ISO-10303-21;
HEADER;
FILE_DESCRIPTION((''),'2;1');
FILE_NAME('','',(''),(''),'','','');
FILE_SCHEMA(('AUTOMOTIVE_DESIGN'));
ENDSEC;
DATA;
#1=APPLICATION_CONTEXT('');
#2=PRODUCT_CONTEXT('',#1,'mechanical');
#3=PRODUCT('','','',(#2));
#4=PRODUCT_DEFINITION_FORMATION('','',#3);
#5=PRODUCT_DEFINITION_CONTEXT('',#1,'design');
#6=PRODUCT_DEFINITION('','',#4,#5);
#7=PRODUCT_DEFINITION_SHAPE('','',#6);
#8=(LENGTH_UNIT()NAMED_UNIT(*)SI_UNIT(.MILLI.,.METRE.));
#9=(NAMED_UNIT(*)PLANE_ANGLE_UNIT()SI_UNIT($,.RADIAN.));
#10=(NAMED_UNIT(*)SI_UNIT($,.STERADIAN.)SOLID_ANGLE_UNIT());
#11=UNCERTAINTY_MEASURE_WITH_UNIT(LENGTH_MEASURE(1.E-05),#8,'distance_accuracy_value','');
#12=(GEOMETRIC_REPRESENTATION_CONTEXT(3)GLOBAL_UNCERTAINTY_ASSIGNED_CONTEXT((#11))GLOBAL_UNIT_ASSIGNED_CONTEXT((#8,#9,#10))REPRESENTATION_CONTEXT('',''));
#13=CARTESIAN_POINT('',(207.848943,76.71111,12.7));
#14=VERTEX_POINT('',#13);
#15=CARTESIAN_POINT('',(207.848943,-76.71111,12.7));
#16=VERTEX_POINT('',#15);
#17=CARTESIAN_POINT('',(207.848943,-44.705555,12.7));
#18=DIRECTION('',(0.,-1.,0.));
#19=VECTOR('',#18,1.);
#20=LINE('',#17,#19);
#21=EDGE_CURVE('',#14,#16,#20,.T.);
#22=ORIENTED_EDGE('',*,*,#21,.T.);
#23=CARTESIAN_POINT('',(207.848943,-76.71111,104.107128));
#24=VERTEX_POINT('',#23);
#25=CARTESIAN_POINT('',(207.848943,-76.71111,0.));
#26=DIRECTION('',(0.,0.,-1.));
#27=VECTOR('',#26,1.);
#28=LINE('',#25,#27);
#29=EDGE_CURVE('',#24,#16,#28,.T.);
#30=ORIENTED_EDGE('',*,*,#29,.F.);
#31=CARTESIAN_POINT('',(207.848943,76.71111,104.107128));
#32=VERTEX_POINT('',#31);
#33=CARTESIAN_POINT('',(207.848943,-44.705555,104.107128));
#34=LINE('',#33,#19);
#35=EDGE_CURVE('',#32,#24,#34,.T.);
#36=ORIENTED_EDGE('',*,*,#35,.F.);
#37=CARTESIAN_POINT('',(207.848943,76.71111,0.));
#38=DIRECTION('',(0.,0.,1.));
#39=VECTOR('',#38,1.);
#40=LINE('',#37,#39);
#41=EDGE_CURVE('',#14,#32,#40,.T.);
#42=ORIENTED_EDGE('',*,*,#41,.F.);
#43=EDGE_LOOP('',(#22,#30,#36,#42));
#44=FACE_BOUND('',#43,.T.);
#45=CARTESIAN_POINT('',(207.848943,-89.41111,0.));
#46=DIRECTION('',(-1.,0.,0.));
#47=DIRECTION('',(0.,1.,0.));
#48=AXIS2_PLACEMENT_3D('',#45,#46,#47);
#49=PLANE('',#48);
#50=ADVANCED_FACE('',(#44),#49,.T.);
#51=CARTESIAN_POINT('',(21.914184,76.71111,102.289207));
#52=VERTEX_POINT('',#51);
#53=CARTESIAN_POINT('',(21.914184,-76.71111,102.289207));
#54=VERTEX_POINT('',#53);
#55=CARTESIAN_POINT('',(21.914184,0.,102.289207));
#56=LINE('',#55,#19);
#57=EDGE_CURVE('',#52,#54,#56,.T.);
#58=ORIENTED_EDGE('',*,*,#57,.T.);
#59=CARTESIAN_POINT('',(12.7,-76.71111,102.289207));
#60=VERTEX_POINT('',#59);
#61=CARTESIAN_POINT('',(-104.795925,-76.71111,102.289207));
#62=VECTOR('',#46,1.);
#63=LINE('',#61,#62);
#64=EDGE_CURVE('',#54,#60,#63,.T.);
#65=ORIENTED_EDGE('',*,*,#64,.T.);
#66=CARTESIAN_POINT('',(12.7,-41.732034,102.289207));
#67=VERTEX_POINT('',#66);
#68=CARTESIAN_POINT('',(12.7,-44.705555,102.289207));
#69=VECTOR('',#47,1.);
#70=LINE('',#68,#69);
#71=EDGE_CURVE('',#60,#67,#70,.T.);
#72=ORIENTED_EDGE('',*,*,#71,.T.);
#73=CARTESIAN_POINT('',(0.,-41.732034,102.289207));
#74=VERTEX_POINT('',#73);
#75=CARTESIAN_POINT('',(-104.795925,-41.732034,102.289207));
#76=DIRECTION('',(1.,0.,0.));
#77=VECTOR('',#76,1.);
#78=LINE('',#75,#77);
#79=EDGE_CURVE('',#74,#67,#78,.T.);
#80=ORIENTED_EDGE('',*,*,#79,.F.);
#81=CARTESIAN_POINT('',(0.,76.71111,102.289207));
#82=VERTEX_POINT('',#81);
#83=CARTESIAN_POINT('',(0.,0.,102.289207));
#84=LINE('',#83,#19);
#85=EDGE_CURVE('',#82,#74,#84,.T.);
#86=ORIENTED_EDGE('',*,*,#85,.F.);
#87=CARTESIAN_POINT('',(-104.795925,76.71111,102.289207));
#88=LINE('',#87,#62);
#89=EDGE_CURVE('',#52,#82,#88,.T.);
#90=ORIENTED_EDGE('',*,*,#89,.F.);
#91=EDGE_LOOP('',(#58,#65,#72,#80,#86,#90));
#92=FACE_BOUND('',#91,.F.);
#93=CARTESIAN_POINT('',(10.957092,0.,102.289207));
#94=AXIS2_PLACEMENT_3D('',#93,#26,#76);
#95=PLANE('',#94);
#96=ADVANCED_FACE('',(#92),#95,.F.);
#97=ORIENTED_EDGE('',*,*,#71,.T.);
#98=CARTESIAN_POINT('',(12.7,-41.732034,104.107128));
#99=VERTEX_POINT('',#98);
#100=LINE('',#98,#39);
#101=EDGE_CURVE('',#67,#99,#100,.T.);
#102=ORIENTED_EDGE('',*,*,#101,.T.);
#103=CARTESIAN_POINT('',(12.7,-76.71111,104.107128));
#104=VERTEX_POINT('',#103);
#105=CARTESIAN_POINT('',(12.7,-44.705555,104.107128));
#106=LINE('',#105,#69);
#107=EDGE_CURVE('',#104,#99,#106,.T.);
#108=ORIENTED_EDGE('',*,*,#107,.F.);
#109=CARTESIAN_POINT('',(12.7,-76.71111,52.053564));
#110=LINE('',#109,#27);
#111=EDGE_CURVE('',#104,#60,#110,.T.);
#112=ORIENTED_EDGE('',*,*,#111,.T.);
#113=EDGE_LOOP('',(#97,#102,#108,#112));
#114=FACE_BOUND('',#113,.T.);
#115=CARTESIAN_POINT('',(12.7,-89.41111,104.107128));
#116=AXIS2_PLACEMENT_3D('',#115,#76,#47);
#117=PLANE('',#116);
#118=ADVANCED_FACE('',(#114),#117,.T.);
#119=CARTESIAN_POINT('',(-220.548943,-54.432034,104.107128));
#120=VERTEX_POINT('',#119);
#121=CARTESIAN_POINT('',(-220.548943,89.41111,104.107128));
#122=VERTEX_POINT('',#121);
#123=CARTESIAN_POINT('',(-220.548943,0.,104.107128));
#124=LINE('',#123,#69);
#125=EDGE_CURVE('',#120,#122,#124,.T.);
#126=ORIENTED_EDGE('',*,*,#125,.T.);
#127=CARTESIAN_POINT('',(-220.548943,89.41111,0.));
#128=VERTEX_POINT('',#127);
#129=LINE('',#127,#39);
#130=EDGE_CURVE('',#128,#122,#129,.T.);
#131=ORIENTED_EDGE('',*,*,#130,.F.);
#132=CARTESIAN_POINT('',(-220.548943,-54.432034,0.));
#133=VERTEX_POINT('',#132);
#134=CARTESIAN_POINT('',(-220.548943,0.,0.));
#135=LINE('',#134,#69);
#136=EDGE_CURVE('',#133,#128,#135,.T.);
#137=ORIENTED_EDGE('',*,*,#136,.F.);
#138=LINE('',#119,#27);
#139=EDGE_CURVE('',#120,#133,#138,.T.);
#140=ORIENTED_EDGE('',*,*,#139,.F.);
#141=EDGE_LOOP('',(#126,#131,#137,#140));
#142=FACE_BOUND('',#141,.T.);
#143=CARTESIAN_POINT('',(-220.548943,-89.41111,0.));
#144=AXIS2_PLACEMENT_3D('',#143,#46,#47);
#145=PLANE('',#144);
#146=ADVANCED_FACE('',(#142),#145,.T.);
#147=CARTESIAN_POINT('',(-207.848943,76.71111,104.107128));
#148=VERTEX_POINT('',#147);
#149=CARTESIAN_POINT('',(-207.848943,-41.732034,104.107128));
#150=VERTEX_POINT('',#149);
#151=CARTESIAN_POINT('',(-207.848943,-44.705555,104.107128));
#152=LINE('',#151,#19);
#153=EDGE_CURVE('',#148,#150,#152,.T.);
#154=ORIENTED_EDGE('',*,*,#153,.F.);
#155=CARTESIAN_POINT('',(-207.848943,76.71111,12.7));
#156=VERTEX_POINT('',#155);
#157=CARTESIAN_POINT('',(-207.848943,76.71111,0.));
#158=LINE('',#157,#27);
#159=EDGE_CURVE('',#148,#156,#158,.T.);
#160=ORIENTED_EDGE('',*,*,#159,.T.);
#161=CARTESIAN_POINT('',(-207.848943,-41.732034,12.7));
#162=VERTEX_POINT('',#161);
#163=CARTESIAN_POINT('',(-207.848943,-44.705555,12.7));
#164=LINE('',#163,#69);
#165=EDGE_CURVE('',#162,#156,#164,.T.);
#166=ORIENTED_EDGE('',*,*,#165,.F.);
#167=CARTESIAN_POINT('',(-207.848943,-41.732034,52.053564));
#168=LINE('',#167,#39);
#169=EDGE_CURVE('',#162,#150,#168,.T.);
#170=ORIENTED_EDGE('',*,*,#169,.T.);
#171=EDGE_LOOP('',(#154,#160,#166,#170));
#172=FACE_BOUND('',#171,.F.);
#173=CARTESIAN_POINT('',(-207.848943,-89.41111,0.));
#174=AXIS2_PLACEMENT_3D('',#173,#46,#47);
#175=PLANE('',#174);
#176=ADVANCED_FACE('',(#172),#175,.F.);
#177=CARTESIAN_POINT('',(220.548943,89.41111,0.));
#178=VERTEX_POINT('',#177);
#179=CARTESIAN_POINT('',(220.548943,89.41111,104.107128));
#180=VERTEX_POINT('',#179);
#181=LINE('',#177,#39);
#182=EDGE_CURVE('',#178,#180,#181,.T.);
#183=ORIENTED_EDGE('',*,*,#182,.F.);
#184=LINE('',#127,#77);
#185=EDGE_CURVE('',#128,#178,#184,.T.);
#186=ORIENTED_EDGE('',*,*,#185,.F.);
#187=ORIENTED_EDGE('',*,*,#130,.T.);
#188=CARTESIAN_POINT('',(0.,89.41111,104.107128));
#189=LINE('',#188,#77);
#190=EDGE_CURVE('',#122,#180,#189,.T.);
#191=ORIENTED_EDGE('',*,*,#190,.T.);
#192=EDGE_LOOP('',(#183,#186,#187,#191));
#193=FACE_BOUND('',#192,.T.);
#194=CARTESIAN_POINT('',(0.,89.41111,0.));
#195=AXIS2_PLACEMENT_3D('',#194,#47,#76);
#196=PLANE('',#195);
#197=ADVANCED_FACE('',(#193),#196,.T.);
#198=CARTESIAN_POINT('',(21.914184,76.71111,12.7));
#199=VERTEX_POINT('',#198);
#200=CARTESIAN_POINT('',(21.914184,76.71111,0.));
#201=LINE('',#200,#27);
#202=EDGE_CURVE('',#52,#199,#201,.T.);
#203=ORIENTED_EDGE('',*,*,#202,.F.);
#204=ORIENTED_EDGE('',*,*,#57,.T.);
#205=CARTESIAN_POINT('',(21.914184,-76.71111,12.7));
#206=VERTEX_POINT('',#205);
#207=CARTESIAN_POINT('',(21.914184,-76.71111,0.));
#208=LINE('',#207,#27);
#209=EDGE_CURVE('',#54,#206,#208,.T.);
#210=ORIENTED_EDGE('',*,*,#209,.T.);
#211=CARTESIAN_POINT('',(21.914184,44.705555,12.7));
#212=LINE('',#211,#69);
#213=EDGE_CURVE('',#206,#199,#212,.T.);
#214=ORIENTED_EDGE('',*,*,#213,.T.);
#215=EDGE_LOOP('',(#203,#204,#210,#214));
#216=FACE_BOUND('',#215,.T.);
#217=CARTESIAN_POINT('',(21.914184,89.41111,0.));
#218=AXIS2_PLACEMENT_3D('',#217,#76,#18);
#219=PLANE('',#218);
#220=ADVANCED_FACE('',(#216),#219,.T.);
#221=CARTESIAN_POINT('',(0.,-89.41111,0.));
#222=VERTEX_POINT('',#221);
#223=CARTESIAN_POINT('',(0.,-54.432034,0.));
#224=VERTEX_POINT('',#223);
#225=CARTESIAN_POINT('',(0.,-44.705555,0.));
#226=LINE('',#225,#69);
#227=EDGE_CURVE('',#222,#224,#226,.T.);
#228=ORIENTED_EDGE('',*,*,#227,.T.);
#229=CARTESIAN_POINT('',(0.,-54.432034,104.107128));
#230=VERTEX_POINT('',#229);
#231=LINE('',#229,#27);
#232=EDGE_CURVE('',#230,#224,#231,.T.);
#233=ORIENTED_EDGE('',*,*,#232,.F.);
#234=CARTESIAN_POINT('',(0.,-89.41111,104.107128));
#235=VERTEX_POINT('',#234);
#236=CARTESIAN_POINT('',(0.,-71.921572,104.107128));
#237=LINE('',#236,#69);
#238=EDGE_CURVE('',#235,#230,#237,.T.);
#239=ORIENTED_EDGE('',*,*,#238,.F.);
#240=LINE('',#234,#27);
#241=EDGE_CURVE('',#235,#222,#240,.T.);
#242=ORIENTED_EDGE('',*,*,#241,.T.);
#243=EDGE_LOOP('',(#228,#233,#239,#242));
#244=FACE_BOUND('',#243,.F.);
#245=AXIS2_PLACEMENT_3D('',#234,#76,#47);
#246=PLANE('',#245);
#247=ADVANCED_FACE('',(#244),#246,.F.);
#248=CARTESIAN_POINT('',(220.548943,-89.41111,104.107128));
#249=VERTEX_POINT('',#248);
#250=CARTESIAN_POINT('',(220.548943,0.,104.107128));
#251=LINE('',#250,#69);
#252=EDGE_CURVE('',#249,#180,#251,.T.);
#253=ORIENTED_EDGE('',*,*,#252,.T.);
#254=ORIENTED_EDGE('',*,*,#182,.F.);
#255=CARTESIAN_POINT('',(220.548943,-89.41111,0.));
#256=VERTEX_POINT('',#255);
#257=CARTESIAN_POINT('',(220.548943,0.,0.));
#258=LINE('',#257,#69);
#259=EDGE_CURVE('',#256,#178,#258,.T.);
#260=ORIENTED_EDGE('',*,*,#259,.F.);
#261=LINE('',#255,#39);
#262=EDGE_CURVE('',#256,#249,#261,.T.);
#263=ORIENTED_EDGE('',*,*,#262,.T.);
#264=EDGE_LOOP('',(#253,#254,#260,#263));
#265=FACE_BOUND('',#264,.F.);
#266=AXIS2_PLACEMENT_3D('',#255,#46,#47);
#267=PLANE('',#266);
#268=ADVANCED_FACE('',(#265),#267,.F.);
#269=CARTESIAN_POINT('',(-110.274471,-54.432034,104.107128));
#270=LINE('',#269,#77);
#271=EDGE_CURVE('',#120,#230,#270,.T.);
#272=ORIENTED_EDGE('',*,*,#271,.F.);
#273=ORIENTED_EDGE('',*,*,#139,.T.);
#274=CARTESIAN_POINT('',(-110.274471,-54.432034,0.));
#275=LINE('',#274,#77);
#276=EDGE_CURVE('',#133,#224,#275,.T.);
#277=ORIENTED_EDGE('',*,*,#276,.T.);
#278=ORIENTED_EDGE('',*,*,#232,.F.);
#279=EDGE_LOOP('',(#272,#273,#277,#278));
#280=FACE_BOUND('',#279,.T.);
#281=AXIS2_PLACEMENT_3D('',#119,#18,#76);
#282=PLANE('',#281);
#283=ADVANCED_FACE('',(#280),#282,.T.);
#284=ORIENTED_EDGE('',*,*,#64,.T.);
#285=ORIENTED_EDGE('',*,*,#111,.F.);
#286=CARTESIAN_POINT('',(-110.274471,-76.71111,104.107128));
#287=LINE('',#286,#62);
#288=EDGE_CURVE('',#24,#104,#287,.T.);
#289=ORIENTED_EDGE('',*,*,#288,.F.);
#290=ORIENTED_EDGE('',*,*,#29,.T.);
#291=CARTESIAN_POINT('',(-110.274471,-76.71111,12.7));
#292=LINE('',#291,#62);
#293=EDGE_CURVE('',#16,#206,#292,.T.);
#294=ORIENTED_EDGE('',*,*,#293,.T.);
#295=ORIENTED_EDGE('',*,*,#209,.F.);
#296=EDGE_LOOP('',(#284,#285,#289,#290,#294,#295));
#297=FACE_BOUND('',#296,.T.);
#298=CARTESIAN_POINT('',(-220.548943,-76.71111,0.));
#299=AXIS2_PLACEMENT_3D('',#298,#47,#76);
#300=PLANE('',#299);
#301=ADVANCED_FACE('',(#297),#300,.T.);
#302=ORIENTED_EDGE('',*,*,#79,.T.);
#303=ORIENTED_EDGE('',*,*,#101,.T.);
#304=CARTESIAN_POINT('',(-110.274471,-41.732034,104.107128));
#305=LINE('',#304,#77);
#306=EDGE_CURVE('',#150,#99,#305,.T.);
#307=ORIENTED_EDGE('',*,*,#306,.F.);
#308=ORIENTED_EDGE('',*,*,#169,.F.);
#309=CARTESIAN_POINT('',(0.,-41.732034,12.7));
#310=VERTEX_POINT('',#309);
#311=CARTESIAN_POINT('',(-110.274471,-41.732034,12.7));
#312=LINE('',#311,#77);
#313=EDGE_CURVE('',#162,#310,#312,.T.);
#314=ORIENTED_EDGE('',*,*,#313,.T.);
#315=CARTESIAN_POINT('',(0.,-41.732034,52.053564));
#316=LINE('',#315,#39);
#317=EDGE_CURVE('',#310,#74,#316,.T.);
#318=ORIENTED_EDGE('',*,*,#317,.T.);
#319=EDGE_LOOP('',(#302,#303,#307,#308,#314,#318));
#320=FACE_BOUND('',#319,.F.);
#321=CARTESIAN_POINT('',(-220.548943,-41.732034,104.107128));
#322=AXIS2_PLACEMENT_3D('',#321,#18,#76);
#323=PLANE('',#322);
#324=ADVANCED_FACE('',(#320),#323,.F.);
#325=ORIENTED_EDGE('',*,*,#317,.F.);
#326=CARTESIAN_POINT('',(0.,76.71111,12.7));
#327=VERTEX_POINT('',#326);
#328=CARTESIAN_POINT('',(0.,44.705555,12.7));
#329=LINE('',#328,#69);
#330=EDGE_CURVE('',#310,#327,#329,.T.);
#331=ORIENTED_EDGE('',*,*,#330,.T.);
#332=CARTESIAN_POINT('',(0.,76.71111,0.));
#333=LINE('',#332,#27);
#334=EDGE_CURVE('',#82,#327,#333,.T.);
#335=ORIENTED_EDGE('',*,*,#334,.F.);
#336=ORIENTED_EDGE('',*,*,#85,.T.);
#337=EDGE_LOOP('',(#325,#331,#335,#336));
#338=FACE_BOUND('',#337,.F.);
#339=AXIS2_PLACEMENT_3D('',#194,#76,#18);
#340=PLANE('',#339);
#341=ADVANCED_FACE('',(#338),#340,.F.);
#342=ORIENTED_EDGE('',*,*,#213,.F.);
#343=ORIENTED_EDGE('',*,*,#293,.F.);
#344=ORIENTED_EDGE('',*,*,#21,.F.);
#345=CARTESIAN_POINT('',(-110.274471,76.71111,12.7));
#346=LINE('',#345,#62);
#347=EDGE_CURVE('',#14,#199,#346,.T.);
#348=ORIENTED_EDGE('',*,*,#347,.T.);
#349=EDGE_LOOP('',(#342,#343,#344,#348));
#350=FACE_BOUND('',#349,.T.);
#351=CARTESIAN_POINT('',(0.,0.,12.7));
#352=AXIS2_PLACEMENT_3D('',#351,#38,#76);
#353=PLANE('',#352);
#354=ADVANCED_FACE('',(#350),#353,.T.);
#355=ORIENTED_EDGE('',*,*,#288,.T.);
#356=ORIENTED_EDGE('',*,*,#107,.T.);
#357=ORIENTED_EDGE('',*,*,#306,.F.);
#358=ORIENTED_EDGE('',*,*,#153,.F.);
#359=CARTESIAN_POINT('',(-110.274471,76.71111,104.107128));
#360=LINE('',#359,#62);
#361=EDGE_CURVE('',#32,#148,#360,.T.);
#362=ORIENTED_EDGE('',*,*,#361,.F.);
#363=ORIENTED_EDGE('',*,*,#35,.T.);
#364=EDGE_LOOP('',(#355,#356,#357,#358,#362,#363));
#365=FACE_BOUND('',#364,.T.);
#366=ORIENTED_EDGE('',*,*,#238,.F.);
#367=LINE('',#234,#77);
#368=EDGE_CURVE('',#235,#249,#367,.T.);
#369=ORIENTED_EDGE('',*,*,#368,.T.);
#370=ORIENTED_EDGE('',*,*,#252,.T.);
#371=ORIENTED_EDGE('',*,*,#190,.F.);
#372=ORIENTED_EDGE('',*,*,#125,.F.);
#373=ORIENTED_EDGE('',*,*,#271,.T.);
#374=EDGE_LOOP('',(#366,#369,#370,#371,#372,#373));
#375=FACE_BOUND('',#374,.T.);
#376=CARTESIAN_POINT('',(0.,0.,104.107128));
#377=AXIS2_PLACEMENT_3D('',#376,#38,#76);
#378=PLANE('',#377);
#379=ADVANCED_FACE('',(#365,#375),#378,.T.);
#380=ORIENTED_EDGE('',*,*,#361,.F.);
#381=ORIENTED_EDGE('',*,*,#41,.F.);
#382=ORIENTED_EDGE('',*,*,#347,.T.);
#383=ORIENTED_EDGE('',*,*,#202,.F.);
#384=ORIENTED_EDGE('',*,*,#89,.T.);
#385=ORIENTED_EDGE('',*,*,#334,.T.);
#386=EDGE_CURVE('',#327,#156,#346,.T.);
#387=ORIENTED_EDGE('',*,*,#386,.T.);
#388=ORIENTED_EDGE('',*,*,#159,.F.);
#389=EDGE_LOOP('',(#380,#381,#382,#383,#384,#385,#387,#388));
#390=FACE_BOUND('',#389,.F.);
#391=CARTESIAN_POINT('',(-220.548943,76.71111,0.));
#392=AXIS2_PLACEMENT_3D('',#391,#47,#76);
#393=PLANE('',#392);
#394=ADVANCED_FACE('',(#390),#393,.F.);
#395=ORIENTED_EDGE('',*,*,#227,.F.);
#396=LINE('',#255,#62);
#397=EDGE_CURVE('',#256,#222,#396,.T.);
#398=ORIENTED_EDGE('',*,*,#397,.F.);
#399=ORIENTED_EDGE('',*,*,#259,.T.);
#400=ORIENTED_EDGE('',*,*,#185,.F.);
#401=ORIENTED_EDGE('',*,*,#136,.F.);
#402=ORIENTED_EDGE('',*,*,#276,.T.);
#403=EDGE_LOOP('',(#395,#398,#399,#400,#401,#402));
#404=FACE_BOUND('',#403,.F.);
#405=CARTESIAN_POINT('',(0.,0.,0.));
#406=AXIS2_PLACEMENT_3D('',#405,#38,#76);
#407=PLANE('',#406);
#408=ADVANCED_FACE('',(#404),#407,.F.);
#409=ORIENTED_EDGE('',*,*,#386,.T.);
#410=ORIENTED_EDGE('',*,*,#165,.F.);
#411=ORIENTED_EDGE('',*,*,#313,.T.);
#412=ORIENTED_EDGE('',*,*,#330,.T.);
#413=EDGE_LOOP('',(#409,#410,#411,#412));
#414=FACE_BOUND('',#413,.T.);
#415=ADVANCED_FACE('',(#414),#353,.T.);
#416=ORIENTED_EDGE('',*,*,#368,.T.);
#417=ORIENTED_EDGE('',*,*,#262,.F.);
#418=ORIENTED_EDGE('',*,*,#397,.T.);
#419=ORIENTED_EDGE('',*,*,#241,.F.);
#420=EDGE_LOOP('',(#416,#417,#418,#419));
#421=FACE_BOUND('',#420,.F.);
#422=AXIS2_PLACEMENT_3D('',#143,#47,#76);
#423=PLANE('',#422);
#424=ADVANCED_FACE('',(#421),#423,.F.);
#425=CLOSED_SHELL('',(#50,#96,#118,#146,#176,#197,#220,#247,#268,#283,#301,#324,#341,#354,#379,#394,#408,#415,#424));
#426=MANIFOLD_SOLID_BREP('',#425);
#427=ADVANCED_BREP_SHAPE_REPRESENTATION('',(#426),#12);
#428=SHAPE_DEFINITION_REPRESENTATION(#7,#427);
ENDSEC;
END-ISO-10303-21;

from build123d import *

# Parameters (mm, degrees)
F0_W     = 441.0978853703
F0_H     = 178.8222193718
F1_DEPTH = 104.1071284562
F2_W     = 220.5489426851
F2_H     = 34.9790751934
F3_DEPTH = 137.1856275946
F4_T     = -12.7
F5_W     = 21.9141840935
F5_H     = 178.8222193718
F6_DEPTH = 102.2892072797


with BuildPart() as f1:
    # F0 (on Top) → F1 (new body)
    with BuildSketch(Plane.XY):
        Rectangle(F0_W, F0_H)
    extrude(amount=F1_DEPTH)

    # F2 (on face) → F3 (cut)
    with BuildSketch(Plane.XY.offset(104.1071284562)):
        with Locations((-110.2744713426, -71.9215720892)):
            Rectangle(F2_W, F2_H)
    extrude(amount=-F3_DEPTH, mode=Mode.SUBTRACT)

    # F4
    f4_openings = [f1.faces().sort_by_distance(p)[0] for p in [
        (11.954487, 7.796778, 104.107128),
    ]]
    offset(amount=F4_T, openings=f4_openings, kind=Kind.INTERSECTION)

    # F5 (on face) → F6 (join)
    with BuildSketch(Plane(origin=(0, 0, 0), x_dir=(1, 0, 0), z_dir=(0, 0, -1))):
        with Locations((10.9570920467, 0)):
            Rectangle(F5_W, F5_H)
    extrude(amount=-F6_DEPTH)


solid = f1.part
